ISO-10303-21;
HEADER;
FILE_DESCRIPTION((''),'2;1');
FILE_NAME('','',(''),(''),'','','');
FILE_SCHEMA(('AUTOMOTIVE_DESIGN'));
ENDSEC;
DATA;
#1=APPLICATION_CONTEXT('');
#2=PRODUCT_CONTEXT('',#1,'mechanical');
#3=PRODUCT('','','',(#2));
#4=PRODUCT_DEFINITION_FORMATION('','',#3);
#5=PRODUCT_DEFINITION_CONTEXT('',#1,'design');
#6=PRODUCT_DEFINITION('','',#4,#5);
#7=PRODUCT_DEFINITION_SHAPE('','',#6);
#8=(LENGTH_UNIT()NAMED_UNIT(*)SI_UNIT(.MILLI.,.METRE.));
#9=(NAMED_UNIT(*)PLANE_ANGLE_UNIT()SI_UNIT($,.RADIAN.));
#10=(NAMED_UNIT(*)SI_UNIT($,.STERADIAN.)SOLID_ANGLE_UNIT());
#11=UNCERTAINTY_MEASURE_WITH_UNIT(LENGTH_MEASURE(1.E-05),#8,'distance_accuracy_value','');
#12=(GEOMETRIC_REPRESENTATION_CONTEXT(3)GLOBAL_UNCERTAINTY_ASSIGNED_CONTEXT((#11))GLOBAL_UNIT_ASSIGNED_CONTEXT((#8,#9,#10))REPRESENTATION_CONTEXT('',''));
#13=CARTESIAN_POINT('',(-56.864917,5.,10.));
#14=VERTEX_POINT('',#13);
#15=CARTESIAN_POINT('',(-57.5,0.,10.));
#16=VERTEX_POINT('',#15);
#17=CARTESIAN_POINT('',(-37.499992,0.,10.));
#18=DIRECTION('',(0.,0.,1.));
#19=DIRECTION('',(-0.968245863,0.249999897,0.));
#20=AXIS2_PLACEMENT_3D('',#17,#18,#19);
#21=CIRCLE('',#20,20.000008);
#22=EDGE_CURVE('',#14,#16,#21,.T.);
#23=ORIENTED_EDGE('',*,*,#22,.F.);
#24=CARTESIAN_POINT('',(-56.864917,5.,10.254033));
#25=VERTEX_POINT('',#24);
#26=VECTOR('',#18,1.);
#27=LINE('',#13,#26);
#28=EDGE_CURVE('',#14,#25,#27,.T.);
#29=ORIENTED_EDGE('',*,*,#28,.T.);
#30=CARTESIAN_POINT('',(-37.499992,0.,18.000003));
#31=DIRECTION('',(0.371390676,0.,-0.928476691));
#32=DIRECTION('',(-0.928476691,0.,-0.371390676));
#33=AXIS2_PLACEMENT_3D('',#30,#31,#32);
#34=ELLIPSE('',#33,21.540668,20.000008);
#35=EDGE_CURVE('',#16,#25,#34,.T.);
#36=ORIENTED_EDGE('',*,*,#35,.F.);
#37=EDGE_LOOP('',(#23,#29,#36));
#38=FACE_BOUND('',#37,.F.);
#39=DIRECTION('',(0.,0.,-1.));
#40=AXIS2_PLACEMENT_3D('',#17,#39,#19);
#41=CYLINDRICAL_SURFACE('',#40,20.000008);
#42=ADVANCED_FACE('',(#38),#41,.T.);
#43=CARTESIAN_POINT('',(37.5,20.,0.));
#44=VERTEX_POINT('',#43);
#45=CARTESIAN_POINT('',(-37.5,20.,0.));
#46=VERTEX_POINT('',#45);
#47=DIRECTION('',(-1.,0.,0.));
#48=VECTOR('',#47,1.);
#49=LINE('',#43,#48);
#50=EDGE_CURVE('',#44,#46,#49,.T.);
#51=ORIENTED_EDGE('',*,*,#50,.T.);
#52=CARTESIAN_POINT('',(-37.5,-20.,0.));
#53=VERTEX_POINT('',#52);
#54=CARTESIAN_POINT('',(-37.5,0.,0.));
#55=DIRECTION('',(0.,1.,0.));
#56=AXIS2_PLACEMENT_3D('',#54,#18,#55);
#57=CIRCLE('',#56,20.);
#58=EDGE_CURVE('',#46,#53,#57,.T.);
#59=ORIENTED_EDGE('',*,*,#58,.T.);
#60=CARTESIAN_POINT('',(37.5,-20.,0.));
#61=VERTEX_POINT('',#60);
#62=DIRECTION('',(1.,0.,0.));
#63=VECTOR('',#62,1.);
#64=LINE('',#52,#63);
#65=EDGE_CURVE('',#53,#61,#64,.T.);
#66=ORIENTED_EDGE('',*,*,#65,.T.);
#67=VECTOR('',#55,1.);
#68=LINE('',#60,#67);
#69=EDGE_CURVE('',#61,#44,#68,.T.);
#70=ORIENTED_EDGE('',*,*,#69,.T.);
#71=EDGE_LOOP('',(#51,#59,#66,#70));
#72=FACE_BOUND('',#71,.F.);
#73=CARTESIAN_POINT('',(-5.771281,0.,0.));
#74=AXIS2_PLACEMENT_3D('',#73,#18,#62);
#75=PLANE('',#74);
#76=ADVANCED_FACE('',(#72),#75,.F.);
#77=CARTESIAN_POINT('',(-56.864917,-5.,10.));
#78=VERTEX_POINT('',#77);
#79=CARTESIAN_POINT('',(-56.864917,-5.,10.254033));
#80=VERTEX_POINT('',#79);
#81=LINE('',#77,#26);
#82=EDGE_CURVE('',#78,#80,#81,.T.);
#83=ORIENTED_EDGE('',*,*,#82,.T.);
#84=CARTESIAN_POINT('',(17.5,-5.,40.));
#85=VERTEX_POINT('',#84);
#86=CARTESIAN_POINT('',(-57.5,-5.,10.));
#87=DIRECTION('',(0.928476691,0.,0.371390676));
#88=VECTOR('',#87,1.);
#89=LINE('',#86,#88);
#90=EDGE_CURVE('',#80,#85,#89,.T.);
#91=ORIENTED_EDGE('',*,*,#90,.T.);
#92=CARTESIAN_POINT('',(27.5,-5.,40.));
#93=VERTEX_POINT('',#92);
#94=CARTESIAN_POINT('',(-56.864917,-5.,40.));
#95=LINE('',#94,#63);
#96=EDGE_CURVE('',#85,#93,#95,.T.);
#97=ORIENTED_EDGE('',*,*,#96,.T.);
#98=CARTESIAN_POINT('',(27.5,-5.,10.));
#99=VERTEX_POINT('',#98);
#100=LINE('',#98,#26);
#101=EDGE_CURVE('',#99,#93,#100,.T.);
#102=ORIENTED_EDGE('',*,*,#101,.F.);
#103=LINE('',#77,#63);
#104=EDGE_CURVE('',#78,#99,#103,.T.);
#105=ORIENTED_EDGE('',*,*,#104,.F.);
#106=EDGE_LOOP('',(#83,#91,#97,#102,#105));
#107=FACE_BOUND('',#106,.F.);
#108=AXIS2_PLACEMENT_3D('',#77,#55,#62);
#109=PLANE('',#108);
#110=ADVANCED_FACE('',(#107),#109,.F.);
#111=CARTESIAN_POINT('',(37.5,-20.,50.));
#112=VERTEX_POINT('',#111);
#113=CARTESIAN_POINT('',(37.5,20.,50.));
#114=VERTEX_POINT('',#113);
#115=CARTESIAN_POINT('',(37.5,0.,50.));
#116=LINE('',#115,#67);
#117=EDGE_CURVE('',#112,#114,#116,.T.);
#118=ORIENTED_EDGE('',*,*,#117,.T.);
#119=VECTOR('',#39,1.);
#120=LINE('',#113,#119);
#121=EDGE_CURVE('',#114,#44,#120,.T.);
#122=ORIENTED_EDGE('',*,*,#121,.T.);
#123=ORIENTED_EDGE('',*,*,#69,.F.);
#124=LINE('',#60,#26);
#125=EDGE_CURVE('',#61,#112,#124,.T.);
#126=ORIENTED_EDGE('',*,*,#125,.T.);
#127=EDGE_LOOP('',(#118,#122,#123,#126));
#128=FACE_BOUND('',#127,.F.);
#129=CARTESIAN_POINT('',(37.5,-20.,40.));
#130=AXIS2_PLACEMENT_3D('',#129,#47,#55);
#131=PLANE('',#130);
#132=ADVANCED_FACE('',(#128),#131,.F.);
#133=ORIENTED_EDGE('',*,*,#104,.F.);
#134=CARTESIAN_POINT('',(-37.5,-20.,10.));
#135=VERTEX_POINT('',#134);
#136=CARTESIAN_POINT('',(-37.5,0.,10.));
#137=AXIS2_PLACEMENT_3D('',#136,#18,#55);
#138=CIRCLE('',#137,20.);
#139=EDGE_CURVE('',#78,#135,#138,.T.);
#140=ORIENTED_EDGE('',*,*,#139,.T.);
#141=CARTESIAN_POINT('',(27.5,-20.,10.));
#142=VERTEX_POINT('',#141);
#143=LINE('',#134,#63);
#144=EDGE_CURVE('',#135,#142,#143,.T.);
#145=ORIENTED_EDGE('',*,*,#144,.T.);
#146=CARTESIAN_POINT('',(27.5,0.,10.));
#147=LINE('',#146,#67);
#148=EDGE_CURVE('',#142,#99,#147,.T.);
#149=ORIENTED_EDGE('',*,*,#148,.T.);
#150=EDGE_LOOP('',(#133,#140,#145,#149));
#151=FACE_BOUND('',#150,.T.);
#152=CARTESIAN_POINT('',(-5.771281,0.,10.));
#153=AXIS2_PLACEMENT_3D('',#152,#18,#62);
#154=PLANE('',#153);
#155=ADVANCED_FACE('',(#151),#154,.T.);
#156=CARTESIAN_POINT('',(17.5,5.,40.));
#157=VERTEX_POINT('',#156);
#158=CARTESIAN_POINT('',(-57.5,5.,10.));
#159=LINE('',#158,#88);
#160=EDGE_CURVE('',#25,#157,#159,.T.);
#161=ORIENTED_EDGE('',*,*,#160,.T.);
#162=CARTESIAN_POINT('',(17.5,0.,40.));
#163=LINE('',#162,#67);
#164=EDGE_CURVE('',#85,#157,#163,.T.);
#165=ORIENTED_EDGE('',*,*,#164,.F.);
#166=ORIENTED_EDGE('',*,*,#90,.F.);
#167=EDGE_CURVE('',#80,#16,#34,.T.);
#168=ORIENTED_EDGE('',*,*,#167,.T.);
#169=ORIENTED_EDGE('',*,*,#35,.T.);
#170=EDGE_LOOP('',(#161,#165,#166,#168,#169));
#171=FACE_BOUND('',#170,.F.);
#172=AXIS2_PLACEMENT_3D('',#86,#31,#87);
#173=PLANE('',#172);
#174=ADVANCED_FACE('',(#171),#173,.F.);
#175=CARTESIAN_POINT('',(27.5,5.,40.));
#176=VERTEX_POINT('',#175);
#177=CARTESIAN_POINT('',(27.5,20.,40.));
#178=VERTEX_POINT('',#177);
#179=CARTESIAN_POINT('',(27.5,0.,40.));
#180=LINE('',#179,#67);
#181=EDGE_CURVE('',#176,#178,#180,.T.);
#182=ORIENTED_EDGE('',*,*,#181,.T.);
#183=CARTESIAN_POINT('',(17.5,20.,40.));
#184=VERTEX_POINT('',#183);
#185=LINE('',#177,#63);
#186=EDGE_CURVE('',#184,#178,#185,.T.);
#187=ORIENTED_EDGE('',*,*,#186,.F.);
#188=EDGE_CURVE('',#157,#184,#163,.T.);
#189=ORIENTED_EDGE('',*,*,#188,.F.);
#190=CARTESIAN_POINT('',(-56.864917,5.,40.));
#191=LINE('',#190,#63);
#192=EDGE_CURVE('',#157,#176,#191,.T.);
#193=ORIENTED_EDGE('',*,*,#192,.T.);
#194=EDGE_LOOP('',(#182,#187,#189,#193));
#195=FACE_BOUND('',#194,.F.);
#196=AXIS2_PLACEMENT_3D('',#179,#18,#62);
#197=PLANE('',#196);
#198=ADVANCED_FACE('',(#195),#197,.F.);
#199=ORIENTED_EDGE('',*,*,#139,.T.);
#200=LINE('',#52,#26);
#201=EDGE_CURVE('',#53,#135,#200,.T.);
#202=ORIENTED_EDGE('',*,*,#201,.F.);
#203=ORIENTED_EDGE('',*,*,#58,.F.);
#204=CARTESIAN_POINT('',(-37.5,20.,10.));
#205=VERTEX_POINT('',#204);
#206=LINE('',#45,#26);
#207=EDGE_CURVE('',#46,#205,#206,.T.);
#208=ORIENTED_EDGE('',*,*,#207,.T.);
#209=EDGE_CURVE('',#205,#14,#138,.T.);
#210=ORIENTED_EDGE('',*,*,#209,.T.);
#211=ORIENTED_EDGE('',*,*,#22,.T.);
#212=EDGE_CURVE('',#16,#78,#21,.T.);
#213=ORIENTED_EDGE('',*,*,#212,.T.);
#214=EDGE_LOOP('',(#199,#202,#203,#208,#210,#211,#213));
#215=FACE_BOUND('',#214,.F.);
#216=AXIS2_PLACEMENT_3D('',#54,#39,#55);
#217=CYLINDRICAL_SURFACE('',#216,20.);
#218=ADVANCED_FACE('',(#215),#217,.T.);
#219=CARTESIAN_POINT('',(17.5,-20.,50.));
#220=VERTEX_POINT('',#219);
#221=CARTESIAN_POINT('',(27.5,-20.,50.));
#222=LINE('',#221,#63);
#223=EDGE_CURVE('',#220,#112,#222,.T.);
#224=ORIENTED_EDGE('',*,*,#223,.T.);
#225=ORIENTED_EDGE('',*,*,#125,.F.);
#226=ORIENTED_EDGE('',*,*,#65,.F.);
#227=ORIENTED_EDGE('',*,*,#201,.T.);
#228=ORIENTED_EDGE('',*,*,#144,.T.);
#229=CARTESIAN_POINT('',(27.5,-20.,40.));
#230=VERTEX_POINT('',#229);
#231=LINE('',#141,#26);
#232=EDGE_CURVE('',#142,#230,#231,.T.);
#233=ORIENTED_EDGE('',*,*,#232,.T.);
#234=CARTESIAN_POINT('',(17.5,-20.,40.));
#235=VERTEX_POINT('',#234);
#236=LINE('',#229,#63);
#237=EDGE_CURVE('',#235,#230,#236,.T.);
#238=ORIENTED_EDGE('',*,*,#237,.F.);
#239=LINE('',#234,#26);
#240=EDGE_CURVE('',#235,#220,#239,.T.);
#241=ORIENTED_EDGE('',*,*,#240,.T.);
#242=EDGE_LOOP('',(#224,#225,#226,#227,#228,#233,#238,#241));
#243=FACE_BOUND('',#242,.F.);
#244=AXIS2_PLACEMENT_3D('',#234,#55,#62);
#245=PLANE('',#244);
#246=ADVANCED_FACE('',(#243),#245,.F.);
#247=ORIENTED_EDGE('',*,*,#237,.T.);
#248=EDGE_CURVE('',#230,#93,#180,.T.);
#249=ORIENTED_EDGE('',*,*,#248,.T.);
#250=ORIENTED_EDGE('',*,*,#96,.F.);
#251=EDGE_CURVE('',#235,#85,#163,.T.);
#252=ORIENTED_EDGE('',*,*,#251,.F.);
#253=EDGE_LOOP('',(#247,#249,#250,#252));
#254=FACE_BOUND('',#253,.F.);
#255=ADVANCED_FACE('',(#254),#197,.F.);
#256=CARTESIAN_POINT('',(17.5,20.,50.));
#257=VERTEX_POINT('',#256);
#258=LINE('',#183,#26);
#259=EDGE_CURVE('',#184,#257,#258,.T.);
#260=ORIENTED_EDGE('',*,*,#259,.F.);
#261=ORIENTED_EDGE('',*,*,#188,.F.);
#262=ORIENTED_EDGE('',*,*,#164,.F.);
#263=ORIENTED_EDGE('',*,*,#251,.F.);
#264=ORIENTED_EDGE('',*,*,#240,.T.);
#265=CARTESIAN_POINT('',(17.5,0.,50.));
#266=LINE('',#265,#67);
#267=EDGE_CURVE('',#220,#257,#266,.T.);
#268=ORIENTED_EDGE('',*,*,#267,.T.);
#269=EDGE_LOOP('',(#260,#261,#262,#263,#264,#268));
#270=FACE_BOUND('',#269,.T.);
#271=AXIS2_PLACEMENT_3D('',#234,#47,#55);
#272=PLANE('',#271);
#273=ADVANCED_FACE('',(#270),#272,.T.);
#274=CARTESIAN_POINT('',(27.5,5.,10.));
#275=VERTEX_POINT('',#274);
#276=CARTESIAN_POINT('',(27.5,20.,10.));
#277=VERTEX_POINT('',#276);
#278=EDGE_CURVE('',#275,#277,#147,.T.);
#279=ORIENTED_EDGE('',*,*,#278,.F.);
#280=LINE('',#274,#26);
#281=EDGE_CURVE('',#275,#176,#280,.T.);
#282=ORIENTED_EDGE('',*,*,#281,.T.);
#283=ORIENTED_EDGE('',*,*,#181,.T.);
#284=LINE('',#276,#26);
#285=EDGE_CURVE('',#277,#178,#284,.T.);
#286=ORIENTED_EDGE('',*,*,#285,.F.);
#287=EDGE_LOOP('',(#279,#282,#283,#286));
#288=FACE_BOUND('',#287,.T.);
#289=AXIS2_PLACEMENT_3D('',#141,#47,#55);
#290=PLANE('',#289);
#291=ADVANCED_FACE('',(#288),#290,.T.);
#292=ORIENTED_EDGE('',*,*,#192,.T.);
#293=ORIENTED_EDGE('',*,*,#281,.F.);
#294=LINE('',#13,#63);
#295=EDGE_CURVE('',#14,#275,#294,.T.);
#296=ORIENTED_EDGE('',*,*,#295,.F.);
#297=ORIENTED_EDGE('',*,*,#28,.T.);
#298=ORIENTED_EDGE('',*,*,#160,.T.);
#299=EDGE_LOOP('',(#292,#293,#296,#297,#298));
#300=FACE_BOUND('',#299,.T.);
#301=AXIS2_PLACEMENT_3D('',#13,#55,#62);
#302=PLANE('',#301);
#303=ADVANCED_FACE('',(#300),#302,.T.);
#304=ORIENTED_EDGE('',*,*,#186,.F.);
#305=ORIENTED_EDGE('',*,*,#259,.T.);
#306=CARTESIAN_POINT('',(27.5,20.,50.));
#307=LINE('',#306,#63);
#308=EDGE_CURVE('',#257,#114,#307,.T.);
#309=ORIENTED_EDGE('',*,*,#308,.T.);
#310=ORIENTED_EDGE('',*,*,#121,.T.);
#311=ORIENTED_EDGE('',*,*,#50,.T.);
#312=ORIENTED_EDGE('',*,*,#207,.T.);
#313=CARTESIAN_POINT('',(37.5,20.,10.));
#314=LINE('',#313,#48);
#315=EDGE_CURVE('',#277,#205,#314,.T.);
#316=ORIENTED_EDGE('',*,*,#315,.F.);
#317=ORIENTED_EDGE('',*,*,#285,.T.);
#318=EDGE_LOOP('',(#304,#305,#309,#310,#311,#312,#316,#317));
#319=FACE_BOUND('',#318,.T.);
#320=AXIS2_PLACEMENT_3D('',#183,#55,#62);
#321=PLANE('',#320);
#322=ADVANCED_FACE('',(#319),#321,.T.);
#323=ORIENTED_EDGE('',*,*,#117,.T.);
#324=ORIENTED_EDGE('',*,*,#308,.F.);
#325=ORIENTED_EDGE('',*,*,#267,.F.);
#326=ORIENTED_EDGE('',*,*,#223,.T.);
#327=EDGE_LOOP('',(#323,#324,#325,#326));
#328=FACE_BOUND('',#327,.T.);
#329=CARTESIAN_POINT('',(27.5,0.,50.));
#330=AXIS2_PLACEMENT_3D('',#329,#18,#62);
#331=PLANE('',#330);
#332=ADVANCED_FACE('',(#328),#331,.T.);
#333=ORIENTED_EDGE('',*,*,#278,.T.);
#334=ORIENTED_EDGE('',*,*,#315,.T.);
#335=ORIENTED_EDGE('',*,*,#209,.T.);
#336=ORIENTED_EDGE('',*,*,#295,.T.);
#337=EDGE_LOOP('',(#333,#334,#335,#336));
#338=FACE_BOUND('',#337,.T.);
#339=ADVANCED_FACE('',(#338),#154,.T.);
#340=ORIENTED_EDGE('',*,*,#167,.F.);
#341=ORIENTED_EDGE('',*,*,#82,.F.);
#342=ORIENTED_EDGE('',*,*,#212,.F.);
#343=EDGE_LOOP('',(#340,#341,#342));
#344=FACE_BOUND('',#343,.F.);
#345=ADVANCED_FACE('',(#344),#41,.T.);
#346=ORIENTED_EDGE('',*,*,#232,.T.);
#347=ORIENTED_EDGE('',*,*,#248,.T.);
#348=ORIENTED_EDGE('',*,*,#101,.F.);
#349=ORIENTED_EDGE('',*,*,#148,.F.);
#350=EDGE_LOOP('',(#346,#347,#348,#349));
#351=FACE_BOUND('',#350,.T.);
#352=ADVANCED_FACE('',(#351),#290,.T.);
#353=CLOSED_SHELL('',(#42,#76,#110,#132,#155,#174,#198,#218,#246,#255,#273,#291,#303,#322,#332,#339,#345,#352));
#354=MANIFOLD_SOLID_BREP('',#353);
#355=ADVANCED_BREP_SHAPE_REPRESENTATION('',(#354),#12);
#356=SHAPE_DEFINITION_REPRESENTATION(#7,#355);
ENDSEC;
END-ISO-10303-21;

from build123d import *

# Parameters (mm, degrees)
PAD_DEPTH    = 10
SKETCH001_W  = 10
SKETCH001_H  = 40
PAD001_DEPTH = 30
SKETCH002_W  = 20
SKETCH002_H  = 40
PAD002_DEPTH = 10
PAD003_DEPTH = 30
POCKET_DEPTH = 10


with BuildPart() as part:
    # Sketch → Pad (new body)
    with BuildSketch(Plane.XY):
        with BuildLine():
            Line((37.5, -20), (37.5, 20))
            Line((37.5, 20), (-37.5, 20))
            ThreePointArc((-37.5, 20), (-57.5, 0), (-37.5, -20))
            Line((-37.5, -20), (37.5, -20))
        make_face()
    extrude(amount=PAD_DEPTH)

    # Sketch001 (on Face6 of Pad) → Pad001 (join)
    with BuildSketch(Plane.XY.offset(10)):
        with Locations((32.5, 0)):
            Rectangle(SKETCH001_W, SKETCH001_H)
    extrude(amount=PAD001_DEPTH)

    # Sketch002 (on Face5 of Pad001) → Pad002 (join)
    with BuildSketch(Plane.XY.offset(40)):
        with Locations((27.5, 0)):
            Rectangle(SKETCH002_W, SKETCH002_H)
    extrude(amount=PAD002_DEPTH)

    # Sketch003 (on Face3 of Pad002) → Pad003 (join)
    with BuildSketch(Plane.XY.offset(10)):
        with BuildLine():
            Line((-56.864917, 5), (27.5, 5))
            Line((27.5, 5), (27.5, -5))
            Line((-56.864917, -5), (27.5, -5))
            ThreePointArc((-56.864917, 5), (-57.5, 0), (-56.864917, -5))
        make_face()
    extrude(amount=PAD003_DEPTH)

    # Sketch004 (on Face15 of Pad003) → Pocket (cut)
    with BuildSketch(Plane.XZ.offset(5)):
        Polygon((-57.5, 10), (17.5, 40), (-57.5, 40), align=None)
    extrude(amount=-POCKET_DEPTH, mode=Mode.SUBTRACT)


solid = part.part
